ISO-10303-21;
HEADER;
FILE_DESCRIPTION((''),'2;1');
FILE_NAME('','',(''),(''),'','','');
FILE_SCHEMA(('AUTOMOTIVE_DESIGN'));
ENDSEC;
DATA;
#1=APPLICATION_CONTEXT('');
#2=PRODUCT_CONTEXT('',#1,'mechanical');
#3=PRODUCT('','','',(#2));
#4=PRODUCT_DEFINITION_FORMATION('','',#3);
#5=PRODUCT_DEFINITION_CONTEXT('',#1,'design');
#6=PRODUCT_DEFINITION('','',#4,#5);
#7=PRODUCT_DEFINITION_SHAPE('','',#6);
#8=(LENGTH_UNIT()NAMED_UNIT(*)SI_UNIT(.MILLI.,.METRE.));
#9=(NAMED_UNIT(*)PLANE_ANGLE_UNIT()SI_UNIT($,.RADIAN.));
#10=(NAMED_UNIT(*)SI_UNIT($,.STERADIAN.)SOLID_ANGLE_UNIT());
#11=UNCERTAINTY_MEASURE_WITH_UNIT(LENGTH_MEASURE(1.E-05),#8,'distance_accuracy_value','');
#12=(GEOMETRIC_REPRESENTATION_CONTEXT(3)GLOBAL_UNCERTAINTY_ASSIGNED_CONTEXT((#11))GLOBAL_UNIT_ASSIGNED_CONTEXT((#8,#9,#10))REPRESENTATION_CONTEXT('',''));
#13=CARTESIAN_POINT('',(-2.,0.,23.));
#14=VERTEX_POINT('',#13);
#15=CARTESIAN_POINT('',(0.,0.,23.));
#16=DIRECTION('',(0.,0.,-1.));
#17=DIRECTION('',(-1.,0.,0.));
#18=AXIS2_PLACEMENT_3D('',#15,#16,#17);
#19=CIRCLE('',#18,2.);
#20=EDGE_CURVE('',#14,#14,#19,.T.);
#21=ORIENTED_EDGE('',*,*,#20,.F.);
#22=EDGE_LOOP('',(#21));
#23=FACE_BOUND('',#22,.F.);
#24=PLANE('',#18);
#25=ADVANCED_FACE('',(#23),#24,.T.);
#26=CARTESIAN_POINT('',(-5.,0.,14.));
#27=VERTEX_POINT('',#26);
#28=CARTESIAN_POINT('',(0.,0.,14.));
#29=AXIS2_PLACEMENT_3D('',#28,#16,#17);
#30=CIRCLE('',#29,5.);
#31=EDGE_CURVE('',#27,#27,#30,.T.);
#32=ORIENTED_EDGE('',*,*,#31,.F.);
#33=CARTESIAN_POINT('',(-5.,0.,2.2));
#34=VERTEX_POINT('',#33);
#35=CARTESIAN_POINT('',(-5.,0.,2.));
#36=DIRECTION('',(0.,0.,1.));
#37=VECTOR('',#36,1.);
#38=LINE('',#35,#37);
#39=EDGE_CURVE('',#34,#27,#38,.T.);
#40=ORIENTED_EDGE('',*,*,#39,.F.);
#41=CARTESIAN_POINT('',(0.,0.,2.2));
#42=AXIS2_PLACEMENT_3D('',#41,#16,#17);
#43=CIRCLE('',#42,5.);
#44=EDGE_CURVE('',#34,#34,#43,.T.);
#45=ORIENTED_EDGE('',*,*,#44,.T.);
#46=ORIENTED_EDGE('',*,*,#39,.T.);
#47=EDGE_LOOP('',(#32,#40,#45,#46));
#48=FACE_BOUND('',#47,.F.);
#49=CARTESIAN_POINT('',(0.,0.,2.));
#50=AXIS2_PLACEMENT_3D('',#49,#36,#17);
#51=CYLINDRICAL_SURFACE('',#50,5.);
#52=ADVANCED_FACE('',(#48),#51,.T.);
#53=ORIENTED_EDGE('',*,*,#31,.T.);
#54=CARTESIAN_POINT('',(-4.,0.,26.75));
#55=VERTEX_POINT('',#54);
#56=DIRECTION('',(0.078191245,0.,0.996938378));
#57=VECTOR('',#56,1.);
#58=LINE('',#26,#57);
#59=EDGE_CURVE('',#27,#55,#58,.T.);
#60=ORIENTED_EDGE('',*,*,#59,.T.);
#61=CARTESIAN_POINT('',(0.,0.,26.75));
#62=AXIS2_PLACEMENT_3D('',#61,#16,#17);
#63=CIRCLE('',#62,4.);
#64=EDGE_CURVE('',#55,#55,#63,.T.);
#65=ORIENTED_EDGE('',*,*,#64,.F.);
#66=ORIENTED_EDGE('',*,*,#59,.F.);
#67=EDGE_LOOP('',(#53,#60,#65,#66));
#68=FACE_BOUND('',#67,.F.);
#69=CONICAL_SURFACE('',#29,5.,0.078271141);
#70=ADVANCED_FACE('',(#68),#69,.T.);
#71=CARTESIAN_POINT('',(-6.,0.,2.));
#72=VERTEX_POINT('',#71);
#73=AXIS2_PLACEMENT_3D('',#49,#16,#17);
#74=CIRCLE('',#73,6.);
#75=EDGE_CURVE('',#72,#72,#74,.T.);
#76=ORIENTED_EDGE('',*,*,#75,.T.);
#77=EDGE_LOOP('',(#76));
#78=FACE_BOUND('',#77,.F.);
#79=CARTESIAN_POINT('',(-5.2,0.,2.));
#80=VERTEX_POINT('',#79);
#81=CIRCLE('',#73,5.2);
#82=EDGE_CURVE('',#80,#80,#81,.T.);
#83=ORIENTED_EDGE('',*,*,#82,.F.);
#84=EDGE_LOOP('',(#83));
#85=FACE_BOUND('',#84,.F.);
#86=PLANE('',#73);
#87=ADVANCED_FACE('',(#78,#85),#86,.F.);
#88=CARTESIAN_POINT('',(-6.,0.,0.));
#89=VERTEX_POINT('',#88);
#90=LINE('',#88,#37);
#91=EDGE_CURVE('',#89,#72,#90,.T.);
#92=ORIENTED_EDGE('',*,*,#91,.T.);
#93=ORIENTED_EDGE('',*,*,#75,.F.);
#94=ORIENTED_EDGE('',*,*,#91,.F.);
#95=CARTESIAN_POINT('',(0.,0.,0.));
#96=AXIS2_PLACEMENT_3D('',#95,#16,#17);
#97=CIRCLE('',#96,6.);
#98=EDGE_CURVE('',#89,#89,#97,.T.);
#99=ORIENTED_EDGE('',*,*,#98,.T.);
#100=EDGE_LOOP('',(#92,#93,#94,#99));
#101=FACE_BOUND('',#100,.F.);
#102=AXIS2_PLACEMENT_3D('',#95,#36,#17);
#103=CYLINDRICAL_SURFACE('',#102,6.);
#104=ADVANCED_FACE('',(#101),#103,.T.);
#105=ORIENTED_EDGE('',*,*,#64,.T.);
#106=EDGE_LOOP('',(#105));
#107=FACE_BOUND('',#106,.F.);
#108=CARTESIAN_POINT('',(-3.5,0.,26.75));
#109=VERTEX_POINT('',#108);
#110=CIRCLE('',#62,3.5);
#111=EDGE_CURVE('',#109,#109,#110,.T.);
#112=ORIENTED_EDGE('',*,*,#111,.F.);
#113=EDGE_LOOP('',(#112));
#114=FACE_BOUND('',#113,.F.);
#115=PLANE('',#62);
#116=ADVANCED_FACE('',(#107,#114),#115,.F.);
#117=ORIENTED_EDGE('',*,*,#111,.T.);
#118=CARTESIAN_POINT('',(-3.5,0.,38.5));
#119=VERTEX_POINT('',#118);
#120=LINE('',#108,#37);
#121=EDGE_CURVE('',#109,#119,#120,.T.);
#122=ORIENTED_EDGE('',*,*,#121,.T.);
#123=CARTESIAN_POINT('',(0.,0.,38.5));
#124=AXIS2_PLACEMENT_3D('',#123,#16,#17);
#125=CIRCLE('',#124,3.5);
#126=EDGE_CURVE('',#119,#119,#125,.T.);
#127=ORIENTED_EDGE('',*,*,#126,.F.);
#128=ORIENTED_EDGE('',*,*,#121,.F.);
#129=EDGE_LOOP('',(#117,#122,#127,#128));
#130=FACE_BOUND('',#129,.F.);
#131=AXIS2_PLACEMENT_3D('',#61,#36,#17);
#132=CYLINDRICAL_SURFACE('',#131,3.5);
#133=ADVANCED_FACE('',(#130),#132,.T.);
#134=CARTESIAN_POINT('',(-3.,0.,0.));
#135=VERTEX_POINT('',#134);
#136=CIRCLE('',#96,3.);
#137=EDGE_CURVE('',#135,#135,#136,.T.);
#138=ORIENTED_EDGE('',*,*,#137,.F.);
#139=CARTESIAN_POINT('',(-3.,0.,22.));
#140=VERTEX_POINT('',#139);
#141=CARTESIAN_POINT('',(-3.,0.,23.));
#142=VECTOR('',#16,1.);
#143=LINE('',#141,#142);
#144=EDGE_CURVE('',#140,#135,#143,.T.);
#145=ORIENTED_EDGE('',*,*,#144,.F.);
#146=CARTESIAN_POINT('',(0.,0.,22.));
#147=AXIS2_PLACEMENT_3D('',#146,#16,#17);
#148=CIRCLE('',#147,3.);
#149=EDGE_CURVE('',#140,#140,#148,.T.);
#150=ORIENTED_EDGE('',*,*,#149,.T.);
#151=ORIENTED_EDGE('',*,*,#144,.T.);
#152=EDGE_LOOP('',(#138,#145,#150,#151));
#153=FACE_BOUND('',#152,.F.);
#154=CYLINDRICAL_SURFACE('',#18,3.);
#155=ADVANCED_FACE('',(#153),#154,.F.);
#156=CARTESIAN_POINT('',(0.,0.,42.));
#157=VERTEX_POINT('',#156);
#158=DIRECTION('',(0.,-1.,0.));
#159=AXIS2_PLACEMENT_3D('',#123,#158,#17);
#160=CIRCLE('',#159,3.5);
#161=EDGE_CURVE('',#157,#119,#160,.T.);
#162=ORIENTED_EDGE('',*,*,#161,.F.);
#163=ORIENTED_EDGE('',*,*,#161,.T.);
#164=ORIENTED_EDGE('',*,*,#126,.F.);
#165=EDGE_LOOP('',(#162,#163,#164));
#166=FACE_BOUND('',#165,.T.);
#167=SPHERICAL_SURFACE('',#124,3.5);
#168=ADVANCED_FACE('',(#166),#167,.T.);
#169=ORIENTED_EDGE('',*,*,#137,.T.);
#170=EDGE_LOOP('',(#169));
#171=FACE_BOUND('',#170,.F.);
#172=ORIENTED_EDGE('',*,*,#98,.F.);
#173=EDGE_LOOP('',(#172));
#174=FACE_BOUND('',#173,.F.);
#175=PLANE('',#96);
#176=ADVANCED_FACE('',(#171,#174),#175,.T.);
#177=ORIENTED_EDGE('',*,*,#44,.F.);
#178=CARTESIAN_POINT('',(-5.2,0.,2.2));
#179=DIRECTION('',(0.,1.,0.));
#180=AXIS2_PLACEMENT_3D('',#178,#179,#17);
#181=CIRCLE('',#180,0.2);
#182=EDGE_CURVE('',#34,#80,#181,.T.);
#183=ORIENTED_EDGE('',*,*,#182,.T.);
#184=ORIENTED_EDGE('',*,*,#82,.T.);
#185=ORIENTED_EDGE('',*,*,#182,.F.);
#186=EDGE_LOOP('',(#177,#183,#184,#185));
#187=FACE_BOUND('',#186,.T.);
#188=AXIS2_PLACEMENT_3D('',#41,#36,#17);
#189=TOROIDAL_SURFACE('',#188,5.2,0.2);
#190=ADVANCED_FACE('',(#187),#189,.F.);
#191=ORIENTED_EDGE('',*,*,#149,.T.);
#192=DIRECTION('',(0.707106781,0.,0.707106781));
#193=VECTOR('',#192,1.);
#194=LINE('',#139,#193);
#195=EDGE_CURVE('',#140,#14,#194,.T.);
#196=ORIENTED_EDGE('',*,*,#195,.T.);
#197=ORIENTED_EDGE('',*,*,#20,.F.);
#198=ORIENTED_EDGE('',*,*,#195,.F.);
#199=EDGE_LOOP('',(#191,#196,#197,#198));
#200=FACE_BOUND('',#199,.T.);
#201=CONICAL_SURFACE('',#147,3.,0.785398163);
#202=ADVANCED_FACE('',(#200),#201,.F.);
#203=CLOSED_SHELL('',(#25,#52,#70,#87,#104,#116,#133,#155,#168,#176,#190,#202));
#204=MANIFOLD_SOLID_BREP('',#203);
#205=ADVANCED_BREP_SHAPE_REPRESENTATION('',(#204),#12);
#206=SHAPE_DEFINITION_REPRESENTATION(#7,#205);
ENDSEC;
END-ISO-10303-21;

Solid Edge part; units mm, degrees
sketch "Sketch1" plane through (0, 0, 0) normal (0, -1, 0) x (1, 0, 0)
  line L0 (-3, 0) -> (-6, 0)
  line L1 (-6, 0) -> (-6, 2)
  line L2 (-6, 2) -> (-5, 2)
  line L3 (-5, 2) -> (-5, 14)
  line L4 (-5, 14) -> (-4, 26.75)
  line L5 (-4, 26.75) -> (-3.5, 26.75)
  line L6 (-3.5, 26.75) -> (-3.5, 42)
  line L7 (-3.5, 42) -> (0, 42)
  line L8 (0, 23) -> (-3, 23)
  line L9 (-3, 23) -> (-3, 0)
  dimension "D1" = 2
  dimension "D2" = 12
  dimension "D3" = 3
  dimension "D4" = 23
  dimension "D5" = 42
  dimension "D6" = 6
  dimension "D7" = 3
  dimension "D8" = 3.5
  dimension "D9" = 5
  dimension "D10" = 4
  dimension "D11" = 12.75
revolve "RevolvedProtrusion1" add sketch "Sketch1" angle 360 about axis through (0, 0, 42) along (0, 0, -1)
fillet "Round1" radius 3.5 1 edges at (3.5, 0, 42)
fillet "Round___Bottom" radius 0.2 1 edges at (5, 0, 2)
chamfer "Chamfer___Inner" distance 1 angle 45 1 edges at (3, 0, 23)
properties material "Stainless Steel, 420"
